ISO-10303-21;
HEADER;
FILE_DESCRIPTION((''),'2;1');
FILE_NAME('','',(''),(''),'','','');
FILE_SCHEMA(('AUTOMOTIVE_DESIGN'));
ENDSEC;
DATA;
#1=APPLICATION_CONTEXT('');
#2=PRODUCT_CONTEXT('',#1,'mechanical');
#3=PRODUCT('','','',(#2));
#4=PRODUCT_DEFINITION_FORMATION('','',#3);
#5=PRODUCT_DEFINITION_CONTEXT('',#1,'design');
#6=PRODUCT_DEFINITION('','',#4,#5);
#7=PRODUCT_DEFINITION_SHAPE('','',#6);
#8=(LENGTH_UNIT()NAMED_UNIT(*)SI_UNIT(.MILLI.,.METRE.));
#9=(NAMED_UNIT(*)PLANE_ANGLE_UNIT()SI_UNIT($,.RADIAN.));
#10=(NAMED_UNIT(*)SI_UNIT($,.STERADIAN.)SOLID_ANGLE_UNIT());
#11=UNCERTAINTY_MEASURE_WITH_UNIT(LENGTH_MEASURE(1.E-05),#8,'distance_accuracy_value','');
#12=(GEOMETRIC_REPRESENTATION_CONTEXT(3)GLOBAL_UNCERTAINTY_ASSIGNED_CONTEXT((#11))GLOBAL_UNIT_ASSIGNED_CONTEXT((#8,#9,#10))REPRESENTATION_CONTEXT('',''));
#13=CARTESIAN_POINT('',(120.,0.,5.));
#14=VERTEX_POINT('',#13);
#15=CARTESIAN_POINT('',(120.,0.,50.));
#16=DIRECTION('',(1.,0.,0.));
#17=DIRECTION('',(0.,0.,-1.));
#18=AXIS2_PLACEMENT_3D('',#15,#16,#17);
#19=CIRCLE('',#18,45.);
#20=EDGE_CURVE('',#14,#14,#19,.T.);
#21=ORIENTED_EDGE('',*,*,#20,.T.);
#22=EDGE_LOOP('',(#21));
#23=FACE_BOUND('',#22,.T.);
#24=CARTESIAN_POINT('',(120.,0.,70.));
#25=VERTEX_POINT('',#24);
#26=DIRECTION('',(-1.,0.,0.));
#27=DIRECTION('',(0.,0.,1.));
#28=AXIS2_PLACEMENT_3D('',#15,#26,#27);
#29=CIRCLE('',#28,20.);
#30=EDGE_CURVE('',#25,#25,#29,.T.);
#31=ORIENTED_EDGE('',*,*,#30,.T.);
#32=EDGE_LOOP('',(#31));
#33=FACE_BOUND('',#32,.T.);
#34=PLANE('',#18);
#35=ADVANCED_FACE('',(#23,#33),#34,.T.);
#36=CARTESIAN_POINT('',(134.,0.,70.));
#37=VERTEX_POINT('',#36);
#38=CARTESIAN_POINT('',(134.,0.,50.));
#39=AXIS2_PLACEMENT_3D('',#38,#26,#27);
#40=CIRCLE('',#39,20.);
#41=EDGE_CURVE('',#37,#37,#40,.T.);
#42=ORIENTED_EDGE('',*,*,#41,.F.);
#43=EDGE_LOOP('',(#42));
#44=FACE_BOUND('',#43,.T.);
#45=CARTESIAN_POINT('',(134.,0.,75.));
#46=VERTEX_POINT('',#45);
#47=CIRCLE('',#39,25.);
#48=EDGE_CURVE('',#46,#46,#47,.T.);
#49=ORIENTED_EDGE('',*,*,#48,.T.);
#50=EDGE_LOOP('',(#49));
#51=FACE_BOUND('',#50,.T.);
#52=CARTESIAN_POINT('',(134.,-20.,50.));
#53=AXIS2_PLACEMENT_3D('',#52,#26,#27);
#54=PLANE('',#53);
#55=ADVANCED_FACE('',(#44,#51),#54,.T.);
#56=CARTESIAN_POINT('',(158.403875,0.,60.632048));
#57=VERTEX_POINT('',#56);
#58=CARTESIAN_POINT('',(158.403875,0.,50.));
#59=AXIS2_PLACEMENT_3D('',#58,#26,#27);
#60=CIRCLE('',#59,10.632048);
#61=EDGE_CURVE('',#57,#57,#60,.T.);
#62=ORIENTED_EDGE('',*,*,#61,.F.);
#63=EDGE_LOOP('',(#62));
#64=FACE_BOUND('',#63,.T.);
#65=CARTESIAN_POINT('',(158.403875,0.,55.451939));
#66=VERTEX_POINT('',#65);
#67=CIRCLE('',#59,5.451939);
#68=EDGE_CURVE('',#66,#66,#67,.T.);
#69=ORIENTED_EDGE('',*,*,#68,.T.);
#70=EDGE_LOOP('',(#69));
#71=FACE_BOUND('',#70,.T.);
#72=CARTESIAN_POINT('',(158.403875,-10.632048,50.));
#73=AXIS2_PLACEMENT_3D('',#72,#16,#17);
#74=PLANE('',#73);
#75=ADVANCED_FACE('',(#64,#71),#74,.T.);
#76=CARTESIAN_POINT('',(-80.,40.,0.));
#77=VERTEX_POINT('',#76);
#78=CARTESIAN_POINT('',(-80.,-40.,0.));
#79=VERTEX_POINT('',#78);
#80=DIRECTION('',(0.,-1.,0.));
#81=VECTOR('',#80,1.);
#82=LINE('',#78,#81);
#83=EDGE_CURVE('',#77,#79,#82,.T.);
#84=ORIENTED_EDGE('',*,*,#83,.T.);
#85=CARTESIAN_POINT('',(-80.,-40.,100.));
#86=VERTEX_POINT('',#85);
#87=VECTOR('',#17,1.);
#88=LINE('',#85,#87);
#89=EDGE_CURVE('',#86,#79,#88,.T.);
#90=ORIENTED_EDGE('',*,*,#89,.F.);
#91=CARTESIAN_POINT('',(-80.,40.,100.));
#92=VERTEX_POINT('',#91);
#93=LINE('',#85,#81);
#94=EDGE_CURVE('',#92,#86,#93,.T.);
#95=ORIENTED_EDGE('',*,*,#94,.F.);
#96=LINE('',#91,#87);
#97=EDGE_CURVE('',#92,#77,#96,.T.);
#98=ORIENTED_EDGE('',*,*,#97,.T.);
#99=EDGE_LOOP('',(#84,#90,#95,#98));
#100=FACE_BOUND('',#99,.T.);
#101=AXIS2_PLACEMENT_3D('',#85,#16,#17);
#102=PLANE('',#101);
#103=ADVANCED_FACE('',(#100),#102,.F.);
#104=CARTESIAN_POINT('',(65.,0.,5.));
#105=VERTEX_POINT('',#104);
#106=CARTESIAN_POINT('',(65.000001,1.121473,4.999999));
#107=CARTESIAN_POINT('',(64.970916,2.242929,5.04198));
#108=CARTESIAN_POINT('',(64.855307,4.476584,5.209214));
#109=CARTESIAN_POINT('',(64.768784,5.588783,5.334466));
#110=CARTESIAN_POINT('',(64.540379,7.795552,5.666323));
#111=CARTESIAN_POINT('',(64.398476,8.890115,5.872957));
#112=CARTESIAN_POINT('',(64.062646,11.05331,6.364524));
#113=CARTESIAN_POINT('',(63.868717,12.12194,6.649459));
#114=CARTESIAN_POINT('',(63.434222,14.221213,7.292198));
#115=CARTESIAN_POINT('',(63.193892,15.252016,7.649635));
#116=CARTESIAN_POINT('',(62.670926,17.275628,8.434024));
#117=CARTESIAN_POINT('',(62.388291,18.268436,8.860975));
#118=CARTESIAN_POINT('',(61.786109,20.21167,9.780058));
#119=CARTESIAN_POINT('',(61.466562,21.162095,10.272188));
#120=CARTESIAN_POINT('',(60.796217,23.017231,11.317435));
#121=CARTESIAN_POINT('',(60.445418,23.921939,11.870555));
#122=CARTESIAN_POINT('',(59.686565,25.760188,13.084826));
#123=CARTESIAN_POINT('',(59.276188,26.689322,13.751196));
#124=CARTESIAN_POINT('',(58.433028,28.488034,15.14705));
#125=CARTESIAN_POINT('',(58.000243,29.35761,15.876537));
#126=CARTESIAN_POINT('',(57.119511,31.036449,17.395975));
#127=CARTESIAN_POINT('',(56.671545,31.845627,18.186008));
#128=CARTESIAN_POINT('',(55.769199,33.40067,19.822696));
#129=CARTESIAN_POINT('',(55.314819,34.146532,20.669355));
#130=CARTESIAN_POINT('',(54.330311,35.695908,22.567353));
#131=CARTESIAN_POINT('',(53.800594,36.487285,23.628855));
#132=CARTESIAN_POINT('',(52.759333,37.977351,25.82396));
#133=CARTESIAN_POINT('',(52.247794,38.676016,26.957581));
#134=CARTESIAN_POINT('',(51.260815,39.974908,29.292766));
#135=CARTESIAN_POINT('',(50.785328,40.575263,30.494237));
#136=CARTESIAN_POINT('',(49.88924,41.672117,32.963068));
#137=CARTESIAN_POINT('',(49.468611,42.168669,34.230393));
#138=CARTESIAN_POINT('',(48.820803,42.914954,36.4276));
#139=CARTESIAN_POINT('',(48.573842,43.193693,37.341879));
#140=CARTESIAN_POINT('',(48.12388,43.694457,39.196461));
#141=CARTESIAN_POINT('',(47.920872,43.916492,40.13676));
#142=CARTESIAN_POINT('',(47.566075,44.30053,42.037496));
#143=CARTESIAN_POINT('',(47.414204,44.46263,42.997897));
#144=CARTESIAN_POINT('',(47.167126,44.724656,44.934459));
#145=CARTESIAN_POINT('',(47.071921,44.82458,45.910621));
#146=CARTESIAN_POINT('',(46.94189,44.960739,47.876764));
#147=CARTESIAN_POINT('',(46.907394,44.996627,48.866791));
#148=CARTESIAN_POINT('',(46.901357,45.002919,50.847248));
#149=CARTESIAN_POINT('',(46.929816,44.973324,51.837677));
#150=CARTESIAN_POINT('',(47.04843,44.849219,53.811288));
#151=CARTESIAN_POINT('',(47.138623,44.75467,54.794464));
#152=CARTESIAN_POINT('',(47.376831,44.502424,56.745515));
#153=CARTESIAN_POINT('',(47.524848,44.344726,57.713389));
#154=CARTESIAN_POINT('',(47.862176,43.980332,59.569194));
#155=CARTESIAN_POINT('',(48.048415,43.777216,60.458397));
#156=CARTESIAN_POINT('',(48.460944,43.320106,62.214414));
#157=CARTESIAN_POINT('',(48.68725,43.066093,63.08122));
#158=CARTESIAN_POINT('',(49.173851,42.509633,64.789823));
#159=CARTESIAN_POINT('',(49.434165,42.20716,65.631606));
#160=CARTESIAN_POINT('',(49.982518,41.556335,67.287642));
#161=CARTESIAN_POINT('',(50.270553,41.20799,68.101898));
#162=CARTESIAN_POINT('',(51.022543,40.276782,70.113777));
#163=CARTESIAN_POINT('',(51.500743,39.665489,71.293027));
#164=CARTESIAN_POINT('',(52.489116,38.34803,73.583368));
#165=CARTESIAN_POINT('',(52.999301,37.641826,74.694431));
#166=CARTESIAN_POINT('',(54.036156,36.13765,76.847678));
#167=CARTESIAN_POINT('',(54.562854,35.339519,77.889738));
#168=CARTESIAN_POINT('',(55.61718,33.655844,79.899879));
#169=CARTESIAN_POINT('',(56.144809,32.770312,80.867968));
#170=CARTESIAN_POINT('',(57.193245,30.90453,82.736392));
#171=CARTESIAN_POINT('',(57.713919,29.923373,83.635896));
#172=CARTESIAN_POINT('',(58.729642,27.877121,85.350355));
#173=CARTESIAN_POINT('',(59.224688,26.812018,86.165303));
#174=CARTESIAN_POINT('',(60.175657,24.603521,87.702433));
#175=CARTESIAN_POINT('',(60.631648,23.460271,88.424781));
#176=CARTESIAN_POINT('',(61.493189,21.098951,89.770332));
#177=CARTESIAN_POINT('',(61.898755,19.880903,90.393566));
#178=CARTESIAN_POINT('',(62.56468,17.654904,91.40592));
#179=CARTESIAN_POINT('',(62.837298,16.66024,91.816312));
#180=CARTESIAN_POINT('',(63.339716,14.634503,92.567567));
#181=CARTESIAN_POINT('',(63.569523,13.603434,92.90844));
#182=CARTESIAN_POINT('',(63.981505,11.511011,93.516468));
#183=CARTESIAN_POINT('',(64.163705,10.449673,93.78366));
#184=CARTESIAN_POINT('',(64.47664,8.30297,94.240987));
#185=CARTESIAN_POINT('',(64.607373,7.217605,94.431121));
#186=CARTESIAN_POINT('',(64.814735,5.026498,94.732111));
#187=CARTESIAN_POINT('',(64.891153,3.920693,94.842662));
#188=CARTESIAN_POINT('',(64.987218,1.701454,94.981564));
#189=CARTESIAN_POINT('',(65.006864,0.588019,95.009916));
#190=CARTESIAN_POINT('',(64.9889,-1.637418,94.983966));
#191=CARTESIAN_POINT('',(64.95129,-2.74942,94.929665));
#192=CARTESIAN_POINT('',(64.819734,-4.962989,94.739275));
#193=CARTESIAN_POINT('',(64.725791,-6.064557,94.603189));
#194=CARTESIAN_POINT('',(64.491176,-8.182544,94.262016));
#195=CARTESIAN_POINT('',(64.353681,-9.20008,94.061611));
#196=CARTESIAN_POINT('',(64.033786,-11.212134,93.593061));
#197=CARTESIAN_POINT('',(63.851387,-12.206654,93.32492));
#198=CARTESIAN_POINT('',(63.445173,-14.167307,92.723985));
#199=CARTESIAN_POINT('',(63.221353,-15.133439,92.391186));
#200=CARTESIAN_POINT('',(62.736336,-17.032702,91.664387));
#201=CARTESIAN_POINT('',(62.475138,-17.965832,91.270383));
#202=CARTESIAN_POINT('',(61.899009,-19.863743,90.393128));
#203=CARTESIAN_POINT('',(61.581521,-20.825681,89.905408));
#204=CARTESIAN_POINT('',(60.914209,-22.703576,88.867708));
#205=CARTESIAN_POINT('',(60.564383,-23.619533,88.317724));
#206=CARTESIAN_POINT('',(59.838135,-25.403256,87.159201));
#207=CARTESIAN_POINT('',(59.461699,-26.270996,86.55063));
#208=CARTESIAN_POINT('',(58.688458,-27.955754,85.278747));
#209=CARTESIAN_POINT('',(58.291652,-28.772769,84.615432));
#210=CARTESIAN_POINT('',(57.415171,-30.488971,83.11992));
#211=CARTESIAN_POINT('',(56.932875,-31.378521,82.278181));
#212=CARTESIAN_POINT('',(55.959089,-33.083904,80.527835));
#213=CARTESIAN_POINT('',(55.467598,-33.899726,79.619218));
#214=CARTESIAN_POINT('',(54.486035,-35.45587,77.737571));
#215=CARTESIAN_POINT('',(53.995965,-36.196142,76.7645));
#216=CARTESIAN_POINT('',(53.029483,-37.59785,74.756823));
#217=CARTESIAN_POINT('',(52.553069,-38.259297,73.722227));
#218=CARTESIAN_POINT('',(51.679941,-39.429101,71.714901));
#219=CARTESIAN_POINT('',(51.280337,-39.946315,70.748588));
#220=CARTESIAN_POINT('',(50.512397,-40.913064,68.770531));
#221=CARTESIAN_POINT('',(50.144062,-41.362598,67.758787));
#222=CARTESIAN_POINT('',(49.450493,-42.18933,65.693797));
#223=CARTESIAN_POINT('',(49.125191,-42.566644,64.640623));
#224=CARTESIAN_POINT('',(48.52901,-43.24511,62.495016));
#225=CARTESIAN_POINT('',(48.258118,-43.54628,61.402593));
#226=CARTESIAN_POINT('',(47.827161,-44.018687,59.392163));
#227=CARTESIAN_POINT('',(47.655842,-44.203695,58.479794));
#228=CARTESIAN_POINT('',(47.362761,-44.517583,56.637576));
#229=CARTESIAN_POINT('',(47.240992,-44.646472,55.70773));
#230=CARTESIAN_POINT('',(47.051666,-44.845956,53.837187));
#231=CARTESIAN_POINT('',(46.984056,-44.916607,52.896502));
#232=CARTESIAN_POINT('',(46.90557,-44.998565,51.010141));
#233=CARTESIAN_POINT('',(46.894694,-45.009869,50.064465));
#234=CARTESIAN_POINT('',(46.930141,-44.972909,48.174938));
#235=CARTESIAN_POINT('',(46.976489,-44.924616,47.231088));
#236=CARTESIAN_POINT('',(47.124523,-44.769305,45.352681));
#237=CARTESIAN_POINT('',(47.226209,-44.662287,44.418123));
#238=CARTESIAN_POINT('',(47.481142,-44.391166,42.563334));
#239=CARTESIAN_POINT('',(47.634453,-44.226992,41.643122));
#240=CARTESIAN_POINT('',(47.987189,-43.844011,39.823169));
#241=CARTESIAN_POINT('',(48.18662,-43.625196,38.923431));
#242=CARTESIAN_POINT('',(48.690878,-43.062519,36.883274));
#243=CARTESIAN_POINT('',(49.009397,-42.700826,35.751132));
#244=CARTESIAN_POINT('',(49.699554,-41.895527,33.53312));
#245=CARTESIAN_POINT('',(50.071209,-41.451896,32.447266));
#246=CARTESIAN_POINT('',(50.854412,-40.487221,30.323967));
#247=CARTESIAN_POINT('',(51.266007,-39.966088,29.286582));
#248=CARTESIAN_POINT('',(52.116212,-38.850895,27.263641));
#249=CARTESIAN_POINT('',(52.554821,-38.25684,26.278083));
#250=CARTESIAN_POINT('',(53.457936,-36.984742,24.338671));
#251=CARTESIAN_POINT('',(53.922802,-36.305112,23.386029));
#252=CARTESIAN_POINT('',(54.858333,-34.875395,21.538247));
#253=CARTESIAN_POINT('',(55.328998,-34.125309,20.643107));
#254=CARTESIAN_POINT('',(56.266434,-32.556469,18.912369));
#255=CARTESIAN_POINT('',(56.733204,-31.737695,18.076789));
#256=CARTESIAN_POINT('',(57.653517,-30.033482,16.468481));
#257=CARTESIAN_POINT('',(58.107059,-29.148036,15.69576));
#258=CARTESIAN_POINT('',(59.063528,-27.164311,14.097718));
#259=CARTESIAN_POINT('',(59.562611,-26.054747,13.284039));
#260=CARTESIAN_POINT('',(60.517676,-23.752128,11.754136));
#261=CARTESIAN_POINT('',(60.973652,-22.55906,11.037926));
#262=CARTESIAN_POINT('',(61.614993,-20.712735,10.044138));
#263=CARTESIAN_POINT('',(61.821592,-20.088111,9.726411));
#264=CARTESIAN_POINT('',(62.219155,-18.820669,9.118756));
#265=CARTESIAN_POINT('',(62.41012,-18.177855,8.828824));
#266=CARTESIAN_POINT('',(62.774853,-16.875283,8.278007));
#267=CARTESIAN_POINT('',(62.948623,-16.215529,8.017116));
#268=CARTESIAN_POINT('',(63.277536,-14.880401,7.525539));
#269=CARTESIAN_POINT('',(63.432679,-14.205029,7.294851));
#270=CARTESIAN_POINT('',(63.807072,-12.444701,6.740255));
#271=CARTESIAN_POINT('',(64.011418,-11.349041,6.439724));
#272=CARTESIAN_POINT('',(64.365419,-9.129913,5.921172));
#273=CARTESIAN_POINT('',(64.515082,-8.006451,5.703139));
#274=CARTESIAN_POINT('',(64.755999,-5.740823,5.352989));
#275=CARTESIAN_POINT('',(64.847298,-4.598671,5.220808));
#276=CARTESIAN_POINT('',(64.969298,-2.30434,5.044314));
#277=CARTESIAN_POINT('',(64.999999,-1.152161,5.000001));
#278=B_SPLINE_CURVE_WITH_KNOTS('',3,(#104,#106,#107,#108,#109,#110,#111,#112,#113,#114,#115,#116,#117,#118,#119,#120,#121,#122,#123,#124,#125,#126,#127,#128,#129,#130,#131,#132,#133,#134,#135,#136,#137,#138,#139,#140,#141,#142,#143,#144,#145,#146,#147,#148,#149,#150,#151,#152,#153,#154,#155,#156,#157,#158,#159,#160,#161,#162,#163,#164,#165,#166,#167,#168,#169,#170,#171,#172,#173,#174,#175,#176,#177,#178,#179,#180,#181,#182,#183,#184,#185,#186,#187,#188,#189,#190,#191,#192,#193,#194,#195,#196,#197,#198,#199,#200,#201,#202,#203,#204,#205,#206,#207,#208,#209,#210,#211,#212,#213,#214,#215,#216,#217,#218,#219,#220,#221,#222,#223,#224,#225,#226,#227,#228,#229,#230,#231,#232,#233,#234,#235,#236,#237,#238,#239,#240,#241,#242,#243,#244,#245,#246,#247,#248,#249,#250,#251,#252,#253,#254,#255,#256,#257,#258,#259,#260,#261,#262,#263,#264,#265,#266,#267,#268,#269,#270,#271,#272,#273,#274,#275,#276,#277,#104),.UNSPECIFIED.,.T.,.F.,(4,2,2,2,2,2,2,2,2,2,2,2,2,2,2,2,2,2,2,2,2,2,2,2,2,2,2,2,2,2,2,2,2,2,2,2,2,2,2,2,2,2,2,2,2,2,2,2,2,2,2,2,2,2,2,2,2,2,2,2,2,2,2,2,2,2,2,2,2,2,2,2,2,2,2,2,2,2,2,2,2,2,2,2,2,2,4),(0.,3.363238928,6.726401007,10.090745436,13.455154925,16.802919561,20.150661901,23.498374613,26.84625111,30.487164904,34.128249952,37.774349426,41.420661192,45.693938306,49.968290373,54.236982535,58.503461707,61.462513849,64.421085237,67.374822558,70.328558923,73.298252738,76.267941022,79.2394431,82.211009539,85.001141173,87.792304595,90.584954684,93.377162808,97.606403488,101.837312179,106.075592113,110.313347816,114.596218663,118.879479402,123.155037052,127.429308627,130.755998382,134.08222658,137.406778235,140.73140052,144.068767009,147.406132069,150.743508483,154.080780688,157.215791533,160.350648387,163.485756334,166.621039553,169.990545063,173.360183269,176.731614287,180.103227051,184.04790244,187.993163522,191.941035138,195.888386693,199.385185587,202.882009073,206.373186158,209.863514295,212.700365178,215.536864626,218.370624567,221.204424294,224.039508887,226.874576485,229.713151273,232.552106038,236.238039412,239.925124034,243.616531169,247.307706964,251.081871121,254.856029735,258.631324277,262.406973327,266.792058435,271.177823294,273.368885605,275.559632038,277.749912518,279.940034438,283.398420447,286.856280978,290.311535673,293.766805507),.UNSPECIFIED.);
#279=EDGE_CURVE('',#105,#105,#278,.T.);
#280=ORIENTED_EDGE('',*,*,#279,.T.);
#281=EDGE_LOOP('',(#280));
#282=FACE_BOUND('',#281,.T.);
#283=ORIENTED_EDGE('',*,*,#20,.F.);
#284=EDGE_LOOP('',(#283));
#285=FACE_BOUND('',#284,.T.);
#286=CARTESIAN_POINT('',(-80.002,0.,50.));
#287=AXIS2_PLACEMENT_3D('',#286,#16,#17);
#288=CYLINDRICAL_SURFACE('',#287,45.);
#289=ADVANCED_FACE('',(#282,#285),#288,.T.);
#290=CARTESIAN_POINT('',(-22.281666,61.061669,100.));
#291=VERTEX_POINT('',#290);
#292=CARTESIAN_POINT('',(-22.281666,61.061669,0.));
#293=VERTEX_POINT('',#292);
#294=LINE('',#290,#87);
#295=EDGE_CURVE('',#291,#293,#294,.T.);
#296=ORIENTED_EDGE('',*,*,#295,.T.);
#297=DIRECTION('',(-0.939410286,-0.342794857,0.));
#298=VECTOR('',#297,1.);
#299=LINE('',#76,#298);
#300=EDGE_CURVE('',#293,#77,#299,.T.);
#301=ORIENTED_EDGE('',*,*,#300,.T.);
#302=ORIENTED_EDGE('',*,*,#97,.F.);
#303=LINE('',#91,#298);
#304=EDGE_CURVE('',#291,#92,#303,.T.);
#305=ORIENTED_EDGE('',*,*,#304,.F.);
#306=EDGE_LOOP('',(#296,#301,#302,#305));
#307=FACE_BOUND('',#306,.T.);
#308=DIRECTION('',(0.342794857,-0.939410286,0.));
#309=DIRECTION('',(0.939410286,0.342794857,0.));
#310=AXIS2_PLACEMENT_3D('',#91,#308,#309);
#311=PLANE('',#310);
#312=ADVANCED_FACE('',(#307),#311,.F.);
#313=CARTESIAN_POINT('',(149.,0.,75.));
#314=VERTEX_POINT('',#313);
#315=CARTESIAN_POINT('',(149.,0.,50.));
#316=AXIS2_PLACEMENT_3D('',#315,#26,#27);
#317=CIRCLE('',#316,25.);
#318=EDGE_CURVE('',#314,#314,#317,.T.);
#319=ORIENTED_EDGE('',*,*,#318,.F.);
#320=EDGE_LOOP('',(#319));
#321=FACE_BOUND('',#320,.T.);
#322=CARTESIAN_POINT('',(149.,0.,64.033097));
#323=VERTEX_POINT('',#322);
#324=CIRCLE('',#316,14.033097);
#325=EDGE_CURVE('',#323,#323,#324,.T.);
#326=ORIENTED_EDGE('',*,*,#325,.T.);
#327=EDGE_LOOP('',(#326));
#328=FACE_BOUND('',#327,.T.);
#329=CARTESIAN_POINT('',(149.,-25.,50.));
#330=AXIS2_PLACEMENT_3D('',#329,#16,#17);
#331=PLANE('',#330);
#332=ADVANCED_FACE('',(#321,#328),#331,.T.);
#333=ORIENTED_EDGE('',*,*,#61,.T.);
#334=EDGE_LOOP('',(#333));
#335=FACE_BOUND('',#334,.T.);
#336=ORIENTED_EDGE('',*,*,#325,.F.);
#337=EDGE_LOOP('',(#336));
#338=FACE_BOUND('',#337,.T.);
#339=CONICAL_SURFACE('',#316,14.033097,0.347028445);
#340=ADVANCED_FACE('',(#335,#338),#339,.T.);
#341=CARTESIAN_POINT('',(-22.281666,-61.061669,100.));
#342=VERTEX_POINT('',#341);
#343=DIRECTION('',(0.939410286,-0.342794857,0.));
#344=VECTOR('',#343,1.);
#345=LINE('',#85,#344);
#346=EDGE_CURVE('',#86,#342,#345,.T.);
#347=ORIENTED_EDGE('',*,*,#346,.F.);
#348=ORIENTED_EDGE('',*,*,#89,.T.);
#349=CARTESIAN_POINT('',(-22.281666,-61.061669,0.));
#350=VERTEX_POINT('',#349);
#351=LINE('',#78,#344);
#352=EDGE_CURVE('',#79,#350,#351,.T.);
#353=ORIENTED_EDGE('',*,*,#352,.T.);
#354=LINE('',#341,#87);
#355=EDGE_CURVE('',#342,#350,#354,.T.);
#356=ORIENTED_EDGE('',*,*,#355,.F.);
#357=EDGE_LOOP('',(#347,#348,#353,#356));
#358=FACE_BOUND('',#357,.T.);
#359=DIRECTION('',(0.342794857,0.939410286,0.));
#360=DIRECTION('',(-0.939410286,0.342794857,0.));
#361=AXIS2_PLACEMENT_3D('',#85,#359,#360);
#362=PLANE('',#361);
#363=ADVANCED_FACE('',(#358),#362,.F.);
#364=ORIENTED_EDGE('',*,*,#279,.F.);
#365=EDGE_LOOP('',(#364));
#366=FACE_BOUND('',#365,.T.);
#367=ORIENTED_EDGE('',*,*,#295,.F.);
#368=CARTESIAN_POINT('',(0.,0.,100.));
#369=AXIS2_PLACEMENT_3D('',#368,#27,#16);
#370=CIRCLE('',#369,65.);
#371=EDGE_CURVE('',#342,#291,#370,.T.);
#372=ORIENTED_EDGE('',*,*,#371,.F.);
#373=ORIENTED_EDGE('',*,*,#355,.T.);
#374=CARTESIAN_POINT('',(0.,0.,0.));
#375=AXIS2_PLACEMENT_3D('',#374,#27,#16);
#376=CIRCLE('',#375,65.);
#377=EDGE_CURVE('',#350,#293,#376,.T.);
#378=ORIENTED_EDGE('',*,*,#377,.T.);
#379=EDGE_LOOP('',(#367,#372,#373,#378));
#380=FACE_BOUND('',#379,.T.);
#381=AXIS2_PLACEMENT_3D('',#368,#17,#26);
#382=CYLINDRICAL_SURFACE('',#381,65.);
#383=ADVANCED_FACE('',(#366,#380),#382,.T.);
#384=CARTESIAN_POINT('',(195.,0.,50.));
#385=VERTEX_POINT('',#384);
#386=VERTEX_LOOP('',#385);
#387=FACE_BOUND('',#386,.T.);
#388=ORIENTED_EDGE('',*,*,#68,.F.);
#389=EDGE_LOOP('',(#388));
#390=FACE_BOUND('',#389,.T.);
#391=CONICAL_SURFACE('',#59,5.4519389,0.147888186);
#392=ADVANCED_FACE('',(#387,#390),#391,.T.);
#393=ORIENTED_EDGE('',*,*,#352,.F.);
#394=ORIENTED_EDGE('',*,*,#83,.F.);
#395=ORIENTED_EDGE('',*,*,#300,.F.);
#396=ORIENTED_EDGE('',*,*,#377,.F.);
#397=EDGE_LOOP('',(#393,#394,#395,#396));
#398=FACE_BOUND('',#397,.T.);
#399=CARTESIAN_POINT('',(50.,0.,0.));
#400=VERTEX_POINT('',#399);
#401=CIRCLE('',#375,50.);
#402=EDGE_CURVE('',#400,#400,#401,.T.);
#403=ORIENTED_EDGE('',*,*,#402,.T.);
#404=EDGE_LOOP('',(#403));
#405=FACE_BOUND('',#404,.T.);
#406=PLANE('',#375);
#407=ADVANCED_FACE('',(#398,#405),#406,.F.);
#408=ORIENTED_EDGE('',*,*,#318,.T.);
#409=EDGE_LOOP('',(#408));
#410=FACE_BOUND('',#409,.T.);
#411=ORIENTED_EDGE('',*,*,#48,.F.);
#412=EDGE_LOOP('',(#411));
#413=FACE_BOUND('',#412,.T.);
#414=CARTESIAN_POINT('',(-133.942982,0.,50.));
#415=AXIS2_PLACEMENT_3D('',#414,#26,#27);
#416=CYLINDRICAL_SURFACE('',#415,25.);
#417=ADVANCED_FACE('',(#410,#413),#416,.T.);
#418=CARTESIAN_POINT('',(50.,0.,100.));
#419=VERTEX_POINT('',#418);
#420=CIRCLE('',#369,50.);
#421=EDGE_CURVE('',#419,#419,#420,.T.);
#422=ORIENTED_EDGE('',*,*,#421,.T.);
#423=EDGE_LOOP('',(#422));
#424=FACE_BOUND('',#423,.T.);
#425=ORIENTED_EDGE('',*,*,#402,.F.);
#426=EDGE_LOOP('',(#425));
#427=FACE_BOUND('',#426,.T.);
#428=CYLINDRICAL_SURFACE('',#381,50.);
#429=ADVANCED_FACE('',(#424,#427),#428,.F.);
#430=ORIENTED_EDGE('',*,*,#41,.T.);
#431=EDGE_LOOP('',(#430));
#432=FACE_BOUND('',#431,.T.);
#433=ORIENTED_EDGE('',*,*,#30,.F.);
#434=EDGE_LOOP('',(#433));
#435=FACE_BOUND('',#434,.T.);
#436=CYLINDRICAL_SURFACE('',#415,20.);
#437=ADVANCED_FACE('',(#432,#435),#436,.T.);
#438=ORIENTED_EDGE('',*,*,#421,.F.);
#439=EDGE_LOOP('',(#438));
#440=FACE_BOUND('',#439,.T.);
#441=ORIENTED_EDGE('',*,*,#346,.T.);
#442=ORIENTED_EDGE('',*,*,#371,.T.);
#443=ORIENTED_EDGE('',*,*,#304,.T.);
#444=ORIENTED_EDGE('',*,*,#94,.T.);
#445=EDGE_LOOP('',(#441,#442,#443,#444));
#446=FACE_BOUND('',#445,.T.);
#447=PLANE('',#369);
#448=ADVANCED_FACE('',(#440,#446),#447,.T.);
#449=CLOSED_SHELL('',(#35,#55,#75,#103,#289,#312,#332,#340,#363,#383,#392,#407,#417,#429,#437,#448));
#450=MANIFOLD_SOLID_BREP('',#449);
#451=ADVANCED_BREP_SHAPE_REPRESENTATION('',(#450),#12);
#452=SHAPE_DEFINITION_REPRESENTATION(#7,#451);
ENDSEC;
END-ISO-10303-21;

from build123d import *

# Parameters (mm, degrees)
IZIM1_R                     = 50
Y_KSEKLIK_EKSTR_ZYON1_DEPTH = 100
Y_KSEKLIK_EKSTR_ZYON2_REACH = 202
IZIM3_R                     = 45


with BuildPart() as part:
    # Çizim1 → Yükseklik-Ekstrüzyon1 (new body)
    with BuildSketch(Plane.XY):
        with BuildLine():
            Line((-80, -40), (-80, 40))
            Line((-80, 40), (-22.281665693, 61.061668614))
            ThreePointArc((-22.281665693, 61.061668614), (65, 0), (-22.281665693, -61.061668614))
            Line((-22.281665693, -61.061668614), (-80, -40))
        make_face()
        Circle(IZIM1_R, mode=Mode.SUBTRACT)
    extrude(amount=Y_KSEKLIK_EKSTR_ZYON1_DEPTH)

    # Çizim3 → Yükseklik-Ekstrüzyon2 (add, up to next)
    with BuildSketch(Plane(origin=(120, 0, 0), x_dir=(0, 0, -1), z_dir=(1, 0, 0)), mode=Mode.PRIVATE) as y_kseklik_ekstr_zyon2_sk1:
        with Locations((-50, 0)):
            Circle(IZIM3_R)
    y_kseklik_ekstr_zyon2_tool1 = extrude(y_kseklik_ekstr_zyon2_sk1.sketch, amount=-Y_KSEKLIK_EKSTR_ZYON2_REACH, mode=Mode.PRIVATE) - part.part
    add(y_kseklik_ekstr_zyon2_tool1.solids().sort_by_distance((120, 0, 50))[0])

    # Çizim6 → Döndür1 (revolve)
    with BuildSketch(Plane.XY.offset(50)):
        Polygon((120, 0), (120, -20), (134, -20), (134, -25), (149, -25), (149, -14.033097), (158.403875038, -10.632048004), (158.403875038, -5.4519389), (195, 0), align=None)
    revolve(axis=Axis((-133.942981773, 0, 50), (1, 0, 0)))


solid = part.part
